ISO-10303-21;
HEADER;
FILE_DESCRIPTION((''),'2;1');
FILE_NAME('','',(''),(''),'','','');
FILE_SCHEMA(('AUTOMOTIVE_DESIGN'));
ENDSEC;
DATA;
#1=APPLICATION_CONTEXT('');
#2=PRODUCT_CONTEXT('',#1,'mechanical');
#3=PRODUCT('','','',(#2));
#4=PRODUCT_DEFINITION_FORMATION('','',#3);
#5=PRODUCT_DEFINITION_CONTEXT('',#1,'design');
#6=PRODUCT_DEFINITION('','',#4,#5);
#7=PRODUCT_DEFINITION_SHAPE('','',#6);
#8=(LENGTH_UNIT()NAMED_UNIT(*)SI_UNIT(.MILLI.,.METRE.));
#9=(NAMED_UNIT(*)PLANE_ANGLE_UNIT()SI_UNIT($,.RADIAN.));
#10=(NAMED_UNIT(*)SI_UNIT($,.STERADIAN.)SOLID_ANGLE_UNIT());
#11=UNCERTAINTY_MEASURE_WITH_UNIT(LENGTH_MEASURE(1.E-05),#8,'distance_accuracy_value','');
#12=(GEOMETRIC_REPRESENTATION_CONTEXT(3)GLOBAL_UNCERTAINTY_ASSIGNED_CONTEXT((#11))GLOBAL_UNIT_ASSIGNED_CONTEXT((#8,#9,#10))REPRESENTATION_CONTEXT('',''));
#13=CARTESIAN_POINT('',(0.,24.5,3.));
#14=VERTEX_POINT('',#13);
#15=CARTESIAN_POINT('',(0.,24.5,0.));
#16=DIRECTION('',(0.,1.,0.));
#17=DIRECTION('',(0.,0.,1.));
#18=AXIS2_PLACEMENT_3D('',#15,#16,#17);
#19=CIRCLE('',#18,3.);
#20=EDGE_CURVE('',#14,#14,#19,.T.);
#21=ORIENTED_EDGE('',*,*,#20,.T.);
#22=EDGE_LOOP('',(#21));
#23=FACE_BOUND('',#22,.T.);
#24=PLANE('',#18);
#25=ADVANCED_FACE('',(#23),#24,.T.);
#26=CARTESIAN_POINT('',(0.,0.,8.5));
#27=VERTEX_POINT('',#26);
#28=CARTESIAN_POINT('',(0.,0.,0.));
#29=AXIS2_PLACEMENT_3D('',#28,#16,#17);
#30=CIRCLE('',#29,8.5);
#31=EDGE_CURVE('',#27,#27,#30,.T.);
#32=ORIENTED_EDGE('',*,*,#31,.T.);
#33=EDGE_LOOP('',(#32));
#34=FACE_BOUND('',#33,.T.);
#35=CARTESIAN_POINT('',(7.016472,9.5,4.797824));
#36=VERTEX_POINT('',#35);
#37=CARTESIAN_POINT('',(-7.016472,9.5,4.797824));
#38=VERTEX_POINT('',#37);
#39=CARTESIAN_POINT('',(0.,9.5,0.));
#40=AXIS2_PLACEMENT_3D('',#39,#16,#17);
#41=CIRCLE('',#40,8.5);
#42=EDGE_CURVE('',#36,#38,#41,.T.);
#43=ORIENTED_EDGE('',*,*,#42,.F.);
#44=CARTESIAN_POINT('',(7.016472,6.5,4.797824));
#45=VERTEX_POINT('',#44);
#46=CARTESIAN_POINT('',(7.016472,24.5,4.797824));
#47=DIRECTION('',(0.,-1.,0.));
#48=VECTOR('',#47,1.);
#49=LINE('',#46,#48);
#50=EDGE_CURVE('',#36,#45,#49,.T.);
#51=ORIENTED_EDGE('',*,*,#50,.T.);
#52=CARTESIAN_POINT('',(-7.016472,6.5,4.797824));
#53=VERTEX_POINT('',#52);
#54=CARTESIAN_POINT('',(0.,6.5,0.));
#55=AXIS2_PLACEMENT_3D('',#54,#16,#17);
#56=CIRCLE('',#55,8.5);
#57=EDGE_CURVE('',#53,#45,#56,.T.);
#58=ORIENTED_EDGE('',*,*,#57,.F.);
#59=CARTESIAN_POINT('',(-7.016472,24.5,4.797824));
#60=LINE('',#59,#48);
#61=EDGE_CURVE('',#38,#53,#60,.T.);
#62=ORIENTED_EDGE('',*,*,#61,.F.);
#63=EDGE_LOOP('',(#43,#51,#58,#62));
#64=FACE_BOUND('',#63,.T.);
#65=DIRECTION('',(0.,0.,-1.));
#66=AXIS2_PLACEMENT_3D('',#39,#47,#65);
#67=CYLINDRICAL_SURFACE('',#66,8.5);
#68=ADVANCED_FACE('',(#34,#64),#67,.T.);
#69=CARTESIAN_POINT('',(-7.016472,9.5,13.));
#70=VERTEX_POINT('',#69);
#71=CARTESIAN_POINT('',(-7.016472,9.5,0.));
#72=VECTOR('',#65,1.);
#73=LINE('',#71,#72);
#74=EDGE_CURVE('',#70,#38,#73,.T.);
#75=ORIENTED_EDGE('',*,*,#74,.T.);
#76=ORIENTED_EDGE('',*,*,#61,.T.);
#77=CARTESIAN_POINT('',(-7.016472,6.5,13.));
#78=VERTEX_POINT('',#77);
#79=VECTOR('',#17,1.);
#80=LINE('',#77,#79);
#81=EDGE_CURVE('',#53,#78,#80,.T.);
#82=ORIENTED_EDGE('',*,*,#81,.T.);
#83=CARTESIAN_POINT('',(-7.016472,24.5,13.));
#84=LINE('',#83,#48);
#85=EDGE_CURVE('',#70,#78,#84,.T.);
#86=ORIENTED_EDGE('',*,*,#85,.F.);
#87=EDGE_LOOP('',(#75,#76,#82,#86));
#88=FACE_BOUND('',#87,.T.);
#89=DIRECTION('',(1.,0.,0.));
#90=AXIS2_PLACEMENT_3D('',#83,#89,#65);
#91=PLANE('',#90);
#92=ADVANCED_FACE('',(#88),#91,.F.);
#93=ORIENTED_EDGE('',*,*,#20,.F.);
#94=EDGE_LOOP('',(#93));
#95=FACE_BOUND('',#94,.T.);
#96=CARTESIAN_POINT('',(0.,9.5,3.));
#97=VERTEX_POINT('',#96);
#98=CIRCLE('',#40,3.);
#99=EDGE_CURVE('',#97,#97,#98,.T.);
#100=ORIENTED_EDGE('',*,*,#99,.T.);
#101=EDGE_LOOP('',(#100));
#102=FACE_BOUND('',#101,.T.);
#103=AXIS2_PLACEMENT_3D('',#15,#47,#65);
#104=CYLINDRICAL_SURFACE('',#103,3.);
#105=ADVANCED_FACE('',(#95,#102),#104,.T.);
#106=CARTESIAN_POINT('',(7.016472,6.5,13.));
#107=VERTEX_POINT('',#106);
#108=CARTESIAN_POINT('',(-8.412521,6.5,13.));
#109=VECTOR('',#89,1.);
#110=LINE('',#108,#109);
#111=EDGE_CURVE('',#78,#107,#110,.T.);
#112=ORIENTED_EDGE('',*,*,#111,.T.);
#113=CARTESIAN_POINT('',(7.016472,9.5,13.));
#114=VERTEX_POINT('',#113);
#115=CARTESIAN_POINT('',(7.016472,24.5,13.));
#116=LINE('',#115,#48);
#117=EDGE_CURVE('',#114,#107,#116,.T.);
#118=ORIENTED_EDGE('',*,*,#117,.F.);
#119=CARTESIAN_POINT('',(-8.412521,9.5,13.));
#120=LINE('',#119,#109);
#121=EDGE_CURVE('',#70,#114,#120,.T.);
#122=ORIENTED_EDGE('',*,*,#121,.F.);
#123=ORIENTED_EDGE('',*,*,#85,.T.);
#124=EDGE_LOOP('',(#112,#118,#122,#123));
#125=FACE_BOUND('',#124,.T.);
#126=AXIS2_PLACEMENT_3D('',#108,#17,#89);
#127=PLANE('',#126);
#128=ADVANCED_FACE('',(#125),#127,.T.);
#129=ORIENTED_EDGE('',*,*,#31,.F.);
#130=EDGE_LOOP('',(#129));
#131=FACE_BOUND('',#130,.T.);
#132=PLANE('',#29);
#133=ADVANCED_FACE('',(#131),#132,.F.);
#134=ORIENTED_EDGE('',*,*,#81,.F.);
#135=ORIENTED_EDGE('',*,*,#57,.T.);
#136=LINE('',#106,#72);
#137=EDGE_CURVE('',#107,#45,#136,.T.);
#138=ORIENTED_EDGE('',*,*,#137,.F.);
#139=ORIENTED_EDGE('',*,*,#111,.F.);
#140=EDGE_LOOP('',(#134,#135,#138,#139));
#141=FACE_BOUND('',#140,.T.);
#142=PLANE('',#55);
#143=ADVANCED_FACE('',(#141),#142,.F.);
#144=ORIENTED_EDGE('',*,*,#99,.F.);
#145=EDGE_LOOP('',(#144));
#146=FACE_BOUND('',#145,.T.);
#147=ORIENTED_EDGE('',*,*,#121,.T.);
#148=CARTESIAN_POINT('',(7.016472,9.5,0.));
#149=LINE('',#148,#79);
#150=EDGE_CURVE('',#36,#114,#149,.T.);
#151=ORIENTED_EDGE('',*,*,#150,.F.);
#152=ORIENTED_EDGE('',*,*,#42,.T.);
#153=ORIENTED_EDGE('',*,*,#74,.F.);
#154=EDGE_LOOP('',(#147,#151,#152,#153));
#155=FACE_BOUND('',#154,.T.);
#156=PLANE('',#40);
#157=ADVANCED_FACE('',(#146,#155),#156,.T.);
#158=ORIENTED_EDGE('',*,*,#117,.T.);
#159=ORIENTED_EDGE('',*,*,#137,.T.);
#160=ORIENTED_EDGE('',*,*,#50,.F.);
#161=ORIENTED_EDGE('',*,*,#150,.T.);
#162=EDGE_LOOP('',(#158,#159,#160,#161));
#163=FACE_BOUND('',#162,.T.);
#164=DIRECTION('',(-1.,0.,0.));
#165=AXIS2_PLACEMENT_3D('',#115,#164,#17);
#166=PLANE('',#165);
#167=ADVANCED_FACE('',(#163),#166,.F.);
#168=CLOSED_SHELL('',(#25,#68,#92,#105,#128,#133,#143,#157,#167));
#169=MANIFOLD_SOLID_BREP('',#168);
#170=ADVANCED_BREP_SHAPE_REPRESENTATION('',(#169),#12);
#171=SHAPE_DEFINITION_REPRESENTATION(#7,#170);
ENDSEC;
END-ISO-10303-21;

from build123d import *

# Parameters (mm, degrees)
SKETCH1_R           = 8.5
BOSS_EXTRUDE1_DEPTH = 9.5
SKETCH2_R           = 3
BOSS_EXTRUDE2_DEPTH = 15
SKETCH3_W           = 16.912520663
SKETCH3_H           = 13
BOSS_EXTRUDE3_DEPTH = 3
CUT_EXTRUDE2_DEPTH  = 24.774986856


with BuildPart() as part:
    # Sketch1 → Boss-Extrude1 (new body)
    with BuildSketch(Plane(origin=(0, 0, 0), x_dir=(1, 0, 0), z_dir=(0, 1, 0))):
        with Locations(Location((0, 0, 0), (0, 0, 270))):
            Circle(SKETCH1_R)
    extrude(amount=BOSS_EXTRUDE1_DEPTH)

    # Sketch2 → Boss-Extrude2 (add)
    with BuildSketch(Plane(origin=(0, 9.5, 0), x_dir=(1, 0, 0), z_dir=(0, 1, 0))):
        with Locations(Location((0, 0, 0), (0, 0, 270))):
            Circle(SKETCH2_R)
    extrude(amount=BOSS_EXTRUDE2_DEPTH)

    # Sketch3 → Boss-Extrude3 (add)
    with BuildSketch(Plane(origin=(0, 9.5, 0), x_dir=(1, 0, 0), z_dir=(0, 1, 0))):
        with Locations((0.043739668, -6.5)):
            Rectangle(SKETCH3_W, SKETCH3_H)
    extrude(amount=-BOSS_EXTRUDE3_DEPTH)

    # Sketch4 → Cut-Extrude2 (cut, through all)
    with BuildSketch(Plane.XZ.offset(-6.5)):
        with BuildLine():
            Line((-7.016472339, 13), (-7.016472339, 4.797824081))
            ThreePointArc((-7.016472339, 4.797824081), (-7.919608809, 3.087036818), (-8.412520663, 1.216345382))
            Line((-8.412520663, 1.216345382), (-8.412520663, 13))
            Line((-8.412520663, 13), (-7.016472339, 13))
        make_face()
        with BuildLine():
            Line((7.016472339, 13), (7.016472339, 4.797824081))
            ThreePointArc((7.016472339, 4.797824081), (8.120653141, 2.510974424), (8.5, 0))
            Line((8.5, 0), (8.5, 13))
            Line((8.5, 13), (7.016472339, 13))
        make_face()
    extrude(amount=-CUT_EXTRUDE2_DEPTH, mode=Mode.SUBTRACT)


solid = part.part
